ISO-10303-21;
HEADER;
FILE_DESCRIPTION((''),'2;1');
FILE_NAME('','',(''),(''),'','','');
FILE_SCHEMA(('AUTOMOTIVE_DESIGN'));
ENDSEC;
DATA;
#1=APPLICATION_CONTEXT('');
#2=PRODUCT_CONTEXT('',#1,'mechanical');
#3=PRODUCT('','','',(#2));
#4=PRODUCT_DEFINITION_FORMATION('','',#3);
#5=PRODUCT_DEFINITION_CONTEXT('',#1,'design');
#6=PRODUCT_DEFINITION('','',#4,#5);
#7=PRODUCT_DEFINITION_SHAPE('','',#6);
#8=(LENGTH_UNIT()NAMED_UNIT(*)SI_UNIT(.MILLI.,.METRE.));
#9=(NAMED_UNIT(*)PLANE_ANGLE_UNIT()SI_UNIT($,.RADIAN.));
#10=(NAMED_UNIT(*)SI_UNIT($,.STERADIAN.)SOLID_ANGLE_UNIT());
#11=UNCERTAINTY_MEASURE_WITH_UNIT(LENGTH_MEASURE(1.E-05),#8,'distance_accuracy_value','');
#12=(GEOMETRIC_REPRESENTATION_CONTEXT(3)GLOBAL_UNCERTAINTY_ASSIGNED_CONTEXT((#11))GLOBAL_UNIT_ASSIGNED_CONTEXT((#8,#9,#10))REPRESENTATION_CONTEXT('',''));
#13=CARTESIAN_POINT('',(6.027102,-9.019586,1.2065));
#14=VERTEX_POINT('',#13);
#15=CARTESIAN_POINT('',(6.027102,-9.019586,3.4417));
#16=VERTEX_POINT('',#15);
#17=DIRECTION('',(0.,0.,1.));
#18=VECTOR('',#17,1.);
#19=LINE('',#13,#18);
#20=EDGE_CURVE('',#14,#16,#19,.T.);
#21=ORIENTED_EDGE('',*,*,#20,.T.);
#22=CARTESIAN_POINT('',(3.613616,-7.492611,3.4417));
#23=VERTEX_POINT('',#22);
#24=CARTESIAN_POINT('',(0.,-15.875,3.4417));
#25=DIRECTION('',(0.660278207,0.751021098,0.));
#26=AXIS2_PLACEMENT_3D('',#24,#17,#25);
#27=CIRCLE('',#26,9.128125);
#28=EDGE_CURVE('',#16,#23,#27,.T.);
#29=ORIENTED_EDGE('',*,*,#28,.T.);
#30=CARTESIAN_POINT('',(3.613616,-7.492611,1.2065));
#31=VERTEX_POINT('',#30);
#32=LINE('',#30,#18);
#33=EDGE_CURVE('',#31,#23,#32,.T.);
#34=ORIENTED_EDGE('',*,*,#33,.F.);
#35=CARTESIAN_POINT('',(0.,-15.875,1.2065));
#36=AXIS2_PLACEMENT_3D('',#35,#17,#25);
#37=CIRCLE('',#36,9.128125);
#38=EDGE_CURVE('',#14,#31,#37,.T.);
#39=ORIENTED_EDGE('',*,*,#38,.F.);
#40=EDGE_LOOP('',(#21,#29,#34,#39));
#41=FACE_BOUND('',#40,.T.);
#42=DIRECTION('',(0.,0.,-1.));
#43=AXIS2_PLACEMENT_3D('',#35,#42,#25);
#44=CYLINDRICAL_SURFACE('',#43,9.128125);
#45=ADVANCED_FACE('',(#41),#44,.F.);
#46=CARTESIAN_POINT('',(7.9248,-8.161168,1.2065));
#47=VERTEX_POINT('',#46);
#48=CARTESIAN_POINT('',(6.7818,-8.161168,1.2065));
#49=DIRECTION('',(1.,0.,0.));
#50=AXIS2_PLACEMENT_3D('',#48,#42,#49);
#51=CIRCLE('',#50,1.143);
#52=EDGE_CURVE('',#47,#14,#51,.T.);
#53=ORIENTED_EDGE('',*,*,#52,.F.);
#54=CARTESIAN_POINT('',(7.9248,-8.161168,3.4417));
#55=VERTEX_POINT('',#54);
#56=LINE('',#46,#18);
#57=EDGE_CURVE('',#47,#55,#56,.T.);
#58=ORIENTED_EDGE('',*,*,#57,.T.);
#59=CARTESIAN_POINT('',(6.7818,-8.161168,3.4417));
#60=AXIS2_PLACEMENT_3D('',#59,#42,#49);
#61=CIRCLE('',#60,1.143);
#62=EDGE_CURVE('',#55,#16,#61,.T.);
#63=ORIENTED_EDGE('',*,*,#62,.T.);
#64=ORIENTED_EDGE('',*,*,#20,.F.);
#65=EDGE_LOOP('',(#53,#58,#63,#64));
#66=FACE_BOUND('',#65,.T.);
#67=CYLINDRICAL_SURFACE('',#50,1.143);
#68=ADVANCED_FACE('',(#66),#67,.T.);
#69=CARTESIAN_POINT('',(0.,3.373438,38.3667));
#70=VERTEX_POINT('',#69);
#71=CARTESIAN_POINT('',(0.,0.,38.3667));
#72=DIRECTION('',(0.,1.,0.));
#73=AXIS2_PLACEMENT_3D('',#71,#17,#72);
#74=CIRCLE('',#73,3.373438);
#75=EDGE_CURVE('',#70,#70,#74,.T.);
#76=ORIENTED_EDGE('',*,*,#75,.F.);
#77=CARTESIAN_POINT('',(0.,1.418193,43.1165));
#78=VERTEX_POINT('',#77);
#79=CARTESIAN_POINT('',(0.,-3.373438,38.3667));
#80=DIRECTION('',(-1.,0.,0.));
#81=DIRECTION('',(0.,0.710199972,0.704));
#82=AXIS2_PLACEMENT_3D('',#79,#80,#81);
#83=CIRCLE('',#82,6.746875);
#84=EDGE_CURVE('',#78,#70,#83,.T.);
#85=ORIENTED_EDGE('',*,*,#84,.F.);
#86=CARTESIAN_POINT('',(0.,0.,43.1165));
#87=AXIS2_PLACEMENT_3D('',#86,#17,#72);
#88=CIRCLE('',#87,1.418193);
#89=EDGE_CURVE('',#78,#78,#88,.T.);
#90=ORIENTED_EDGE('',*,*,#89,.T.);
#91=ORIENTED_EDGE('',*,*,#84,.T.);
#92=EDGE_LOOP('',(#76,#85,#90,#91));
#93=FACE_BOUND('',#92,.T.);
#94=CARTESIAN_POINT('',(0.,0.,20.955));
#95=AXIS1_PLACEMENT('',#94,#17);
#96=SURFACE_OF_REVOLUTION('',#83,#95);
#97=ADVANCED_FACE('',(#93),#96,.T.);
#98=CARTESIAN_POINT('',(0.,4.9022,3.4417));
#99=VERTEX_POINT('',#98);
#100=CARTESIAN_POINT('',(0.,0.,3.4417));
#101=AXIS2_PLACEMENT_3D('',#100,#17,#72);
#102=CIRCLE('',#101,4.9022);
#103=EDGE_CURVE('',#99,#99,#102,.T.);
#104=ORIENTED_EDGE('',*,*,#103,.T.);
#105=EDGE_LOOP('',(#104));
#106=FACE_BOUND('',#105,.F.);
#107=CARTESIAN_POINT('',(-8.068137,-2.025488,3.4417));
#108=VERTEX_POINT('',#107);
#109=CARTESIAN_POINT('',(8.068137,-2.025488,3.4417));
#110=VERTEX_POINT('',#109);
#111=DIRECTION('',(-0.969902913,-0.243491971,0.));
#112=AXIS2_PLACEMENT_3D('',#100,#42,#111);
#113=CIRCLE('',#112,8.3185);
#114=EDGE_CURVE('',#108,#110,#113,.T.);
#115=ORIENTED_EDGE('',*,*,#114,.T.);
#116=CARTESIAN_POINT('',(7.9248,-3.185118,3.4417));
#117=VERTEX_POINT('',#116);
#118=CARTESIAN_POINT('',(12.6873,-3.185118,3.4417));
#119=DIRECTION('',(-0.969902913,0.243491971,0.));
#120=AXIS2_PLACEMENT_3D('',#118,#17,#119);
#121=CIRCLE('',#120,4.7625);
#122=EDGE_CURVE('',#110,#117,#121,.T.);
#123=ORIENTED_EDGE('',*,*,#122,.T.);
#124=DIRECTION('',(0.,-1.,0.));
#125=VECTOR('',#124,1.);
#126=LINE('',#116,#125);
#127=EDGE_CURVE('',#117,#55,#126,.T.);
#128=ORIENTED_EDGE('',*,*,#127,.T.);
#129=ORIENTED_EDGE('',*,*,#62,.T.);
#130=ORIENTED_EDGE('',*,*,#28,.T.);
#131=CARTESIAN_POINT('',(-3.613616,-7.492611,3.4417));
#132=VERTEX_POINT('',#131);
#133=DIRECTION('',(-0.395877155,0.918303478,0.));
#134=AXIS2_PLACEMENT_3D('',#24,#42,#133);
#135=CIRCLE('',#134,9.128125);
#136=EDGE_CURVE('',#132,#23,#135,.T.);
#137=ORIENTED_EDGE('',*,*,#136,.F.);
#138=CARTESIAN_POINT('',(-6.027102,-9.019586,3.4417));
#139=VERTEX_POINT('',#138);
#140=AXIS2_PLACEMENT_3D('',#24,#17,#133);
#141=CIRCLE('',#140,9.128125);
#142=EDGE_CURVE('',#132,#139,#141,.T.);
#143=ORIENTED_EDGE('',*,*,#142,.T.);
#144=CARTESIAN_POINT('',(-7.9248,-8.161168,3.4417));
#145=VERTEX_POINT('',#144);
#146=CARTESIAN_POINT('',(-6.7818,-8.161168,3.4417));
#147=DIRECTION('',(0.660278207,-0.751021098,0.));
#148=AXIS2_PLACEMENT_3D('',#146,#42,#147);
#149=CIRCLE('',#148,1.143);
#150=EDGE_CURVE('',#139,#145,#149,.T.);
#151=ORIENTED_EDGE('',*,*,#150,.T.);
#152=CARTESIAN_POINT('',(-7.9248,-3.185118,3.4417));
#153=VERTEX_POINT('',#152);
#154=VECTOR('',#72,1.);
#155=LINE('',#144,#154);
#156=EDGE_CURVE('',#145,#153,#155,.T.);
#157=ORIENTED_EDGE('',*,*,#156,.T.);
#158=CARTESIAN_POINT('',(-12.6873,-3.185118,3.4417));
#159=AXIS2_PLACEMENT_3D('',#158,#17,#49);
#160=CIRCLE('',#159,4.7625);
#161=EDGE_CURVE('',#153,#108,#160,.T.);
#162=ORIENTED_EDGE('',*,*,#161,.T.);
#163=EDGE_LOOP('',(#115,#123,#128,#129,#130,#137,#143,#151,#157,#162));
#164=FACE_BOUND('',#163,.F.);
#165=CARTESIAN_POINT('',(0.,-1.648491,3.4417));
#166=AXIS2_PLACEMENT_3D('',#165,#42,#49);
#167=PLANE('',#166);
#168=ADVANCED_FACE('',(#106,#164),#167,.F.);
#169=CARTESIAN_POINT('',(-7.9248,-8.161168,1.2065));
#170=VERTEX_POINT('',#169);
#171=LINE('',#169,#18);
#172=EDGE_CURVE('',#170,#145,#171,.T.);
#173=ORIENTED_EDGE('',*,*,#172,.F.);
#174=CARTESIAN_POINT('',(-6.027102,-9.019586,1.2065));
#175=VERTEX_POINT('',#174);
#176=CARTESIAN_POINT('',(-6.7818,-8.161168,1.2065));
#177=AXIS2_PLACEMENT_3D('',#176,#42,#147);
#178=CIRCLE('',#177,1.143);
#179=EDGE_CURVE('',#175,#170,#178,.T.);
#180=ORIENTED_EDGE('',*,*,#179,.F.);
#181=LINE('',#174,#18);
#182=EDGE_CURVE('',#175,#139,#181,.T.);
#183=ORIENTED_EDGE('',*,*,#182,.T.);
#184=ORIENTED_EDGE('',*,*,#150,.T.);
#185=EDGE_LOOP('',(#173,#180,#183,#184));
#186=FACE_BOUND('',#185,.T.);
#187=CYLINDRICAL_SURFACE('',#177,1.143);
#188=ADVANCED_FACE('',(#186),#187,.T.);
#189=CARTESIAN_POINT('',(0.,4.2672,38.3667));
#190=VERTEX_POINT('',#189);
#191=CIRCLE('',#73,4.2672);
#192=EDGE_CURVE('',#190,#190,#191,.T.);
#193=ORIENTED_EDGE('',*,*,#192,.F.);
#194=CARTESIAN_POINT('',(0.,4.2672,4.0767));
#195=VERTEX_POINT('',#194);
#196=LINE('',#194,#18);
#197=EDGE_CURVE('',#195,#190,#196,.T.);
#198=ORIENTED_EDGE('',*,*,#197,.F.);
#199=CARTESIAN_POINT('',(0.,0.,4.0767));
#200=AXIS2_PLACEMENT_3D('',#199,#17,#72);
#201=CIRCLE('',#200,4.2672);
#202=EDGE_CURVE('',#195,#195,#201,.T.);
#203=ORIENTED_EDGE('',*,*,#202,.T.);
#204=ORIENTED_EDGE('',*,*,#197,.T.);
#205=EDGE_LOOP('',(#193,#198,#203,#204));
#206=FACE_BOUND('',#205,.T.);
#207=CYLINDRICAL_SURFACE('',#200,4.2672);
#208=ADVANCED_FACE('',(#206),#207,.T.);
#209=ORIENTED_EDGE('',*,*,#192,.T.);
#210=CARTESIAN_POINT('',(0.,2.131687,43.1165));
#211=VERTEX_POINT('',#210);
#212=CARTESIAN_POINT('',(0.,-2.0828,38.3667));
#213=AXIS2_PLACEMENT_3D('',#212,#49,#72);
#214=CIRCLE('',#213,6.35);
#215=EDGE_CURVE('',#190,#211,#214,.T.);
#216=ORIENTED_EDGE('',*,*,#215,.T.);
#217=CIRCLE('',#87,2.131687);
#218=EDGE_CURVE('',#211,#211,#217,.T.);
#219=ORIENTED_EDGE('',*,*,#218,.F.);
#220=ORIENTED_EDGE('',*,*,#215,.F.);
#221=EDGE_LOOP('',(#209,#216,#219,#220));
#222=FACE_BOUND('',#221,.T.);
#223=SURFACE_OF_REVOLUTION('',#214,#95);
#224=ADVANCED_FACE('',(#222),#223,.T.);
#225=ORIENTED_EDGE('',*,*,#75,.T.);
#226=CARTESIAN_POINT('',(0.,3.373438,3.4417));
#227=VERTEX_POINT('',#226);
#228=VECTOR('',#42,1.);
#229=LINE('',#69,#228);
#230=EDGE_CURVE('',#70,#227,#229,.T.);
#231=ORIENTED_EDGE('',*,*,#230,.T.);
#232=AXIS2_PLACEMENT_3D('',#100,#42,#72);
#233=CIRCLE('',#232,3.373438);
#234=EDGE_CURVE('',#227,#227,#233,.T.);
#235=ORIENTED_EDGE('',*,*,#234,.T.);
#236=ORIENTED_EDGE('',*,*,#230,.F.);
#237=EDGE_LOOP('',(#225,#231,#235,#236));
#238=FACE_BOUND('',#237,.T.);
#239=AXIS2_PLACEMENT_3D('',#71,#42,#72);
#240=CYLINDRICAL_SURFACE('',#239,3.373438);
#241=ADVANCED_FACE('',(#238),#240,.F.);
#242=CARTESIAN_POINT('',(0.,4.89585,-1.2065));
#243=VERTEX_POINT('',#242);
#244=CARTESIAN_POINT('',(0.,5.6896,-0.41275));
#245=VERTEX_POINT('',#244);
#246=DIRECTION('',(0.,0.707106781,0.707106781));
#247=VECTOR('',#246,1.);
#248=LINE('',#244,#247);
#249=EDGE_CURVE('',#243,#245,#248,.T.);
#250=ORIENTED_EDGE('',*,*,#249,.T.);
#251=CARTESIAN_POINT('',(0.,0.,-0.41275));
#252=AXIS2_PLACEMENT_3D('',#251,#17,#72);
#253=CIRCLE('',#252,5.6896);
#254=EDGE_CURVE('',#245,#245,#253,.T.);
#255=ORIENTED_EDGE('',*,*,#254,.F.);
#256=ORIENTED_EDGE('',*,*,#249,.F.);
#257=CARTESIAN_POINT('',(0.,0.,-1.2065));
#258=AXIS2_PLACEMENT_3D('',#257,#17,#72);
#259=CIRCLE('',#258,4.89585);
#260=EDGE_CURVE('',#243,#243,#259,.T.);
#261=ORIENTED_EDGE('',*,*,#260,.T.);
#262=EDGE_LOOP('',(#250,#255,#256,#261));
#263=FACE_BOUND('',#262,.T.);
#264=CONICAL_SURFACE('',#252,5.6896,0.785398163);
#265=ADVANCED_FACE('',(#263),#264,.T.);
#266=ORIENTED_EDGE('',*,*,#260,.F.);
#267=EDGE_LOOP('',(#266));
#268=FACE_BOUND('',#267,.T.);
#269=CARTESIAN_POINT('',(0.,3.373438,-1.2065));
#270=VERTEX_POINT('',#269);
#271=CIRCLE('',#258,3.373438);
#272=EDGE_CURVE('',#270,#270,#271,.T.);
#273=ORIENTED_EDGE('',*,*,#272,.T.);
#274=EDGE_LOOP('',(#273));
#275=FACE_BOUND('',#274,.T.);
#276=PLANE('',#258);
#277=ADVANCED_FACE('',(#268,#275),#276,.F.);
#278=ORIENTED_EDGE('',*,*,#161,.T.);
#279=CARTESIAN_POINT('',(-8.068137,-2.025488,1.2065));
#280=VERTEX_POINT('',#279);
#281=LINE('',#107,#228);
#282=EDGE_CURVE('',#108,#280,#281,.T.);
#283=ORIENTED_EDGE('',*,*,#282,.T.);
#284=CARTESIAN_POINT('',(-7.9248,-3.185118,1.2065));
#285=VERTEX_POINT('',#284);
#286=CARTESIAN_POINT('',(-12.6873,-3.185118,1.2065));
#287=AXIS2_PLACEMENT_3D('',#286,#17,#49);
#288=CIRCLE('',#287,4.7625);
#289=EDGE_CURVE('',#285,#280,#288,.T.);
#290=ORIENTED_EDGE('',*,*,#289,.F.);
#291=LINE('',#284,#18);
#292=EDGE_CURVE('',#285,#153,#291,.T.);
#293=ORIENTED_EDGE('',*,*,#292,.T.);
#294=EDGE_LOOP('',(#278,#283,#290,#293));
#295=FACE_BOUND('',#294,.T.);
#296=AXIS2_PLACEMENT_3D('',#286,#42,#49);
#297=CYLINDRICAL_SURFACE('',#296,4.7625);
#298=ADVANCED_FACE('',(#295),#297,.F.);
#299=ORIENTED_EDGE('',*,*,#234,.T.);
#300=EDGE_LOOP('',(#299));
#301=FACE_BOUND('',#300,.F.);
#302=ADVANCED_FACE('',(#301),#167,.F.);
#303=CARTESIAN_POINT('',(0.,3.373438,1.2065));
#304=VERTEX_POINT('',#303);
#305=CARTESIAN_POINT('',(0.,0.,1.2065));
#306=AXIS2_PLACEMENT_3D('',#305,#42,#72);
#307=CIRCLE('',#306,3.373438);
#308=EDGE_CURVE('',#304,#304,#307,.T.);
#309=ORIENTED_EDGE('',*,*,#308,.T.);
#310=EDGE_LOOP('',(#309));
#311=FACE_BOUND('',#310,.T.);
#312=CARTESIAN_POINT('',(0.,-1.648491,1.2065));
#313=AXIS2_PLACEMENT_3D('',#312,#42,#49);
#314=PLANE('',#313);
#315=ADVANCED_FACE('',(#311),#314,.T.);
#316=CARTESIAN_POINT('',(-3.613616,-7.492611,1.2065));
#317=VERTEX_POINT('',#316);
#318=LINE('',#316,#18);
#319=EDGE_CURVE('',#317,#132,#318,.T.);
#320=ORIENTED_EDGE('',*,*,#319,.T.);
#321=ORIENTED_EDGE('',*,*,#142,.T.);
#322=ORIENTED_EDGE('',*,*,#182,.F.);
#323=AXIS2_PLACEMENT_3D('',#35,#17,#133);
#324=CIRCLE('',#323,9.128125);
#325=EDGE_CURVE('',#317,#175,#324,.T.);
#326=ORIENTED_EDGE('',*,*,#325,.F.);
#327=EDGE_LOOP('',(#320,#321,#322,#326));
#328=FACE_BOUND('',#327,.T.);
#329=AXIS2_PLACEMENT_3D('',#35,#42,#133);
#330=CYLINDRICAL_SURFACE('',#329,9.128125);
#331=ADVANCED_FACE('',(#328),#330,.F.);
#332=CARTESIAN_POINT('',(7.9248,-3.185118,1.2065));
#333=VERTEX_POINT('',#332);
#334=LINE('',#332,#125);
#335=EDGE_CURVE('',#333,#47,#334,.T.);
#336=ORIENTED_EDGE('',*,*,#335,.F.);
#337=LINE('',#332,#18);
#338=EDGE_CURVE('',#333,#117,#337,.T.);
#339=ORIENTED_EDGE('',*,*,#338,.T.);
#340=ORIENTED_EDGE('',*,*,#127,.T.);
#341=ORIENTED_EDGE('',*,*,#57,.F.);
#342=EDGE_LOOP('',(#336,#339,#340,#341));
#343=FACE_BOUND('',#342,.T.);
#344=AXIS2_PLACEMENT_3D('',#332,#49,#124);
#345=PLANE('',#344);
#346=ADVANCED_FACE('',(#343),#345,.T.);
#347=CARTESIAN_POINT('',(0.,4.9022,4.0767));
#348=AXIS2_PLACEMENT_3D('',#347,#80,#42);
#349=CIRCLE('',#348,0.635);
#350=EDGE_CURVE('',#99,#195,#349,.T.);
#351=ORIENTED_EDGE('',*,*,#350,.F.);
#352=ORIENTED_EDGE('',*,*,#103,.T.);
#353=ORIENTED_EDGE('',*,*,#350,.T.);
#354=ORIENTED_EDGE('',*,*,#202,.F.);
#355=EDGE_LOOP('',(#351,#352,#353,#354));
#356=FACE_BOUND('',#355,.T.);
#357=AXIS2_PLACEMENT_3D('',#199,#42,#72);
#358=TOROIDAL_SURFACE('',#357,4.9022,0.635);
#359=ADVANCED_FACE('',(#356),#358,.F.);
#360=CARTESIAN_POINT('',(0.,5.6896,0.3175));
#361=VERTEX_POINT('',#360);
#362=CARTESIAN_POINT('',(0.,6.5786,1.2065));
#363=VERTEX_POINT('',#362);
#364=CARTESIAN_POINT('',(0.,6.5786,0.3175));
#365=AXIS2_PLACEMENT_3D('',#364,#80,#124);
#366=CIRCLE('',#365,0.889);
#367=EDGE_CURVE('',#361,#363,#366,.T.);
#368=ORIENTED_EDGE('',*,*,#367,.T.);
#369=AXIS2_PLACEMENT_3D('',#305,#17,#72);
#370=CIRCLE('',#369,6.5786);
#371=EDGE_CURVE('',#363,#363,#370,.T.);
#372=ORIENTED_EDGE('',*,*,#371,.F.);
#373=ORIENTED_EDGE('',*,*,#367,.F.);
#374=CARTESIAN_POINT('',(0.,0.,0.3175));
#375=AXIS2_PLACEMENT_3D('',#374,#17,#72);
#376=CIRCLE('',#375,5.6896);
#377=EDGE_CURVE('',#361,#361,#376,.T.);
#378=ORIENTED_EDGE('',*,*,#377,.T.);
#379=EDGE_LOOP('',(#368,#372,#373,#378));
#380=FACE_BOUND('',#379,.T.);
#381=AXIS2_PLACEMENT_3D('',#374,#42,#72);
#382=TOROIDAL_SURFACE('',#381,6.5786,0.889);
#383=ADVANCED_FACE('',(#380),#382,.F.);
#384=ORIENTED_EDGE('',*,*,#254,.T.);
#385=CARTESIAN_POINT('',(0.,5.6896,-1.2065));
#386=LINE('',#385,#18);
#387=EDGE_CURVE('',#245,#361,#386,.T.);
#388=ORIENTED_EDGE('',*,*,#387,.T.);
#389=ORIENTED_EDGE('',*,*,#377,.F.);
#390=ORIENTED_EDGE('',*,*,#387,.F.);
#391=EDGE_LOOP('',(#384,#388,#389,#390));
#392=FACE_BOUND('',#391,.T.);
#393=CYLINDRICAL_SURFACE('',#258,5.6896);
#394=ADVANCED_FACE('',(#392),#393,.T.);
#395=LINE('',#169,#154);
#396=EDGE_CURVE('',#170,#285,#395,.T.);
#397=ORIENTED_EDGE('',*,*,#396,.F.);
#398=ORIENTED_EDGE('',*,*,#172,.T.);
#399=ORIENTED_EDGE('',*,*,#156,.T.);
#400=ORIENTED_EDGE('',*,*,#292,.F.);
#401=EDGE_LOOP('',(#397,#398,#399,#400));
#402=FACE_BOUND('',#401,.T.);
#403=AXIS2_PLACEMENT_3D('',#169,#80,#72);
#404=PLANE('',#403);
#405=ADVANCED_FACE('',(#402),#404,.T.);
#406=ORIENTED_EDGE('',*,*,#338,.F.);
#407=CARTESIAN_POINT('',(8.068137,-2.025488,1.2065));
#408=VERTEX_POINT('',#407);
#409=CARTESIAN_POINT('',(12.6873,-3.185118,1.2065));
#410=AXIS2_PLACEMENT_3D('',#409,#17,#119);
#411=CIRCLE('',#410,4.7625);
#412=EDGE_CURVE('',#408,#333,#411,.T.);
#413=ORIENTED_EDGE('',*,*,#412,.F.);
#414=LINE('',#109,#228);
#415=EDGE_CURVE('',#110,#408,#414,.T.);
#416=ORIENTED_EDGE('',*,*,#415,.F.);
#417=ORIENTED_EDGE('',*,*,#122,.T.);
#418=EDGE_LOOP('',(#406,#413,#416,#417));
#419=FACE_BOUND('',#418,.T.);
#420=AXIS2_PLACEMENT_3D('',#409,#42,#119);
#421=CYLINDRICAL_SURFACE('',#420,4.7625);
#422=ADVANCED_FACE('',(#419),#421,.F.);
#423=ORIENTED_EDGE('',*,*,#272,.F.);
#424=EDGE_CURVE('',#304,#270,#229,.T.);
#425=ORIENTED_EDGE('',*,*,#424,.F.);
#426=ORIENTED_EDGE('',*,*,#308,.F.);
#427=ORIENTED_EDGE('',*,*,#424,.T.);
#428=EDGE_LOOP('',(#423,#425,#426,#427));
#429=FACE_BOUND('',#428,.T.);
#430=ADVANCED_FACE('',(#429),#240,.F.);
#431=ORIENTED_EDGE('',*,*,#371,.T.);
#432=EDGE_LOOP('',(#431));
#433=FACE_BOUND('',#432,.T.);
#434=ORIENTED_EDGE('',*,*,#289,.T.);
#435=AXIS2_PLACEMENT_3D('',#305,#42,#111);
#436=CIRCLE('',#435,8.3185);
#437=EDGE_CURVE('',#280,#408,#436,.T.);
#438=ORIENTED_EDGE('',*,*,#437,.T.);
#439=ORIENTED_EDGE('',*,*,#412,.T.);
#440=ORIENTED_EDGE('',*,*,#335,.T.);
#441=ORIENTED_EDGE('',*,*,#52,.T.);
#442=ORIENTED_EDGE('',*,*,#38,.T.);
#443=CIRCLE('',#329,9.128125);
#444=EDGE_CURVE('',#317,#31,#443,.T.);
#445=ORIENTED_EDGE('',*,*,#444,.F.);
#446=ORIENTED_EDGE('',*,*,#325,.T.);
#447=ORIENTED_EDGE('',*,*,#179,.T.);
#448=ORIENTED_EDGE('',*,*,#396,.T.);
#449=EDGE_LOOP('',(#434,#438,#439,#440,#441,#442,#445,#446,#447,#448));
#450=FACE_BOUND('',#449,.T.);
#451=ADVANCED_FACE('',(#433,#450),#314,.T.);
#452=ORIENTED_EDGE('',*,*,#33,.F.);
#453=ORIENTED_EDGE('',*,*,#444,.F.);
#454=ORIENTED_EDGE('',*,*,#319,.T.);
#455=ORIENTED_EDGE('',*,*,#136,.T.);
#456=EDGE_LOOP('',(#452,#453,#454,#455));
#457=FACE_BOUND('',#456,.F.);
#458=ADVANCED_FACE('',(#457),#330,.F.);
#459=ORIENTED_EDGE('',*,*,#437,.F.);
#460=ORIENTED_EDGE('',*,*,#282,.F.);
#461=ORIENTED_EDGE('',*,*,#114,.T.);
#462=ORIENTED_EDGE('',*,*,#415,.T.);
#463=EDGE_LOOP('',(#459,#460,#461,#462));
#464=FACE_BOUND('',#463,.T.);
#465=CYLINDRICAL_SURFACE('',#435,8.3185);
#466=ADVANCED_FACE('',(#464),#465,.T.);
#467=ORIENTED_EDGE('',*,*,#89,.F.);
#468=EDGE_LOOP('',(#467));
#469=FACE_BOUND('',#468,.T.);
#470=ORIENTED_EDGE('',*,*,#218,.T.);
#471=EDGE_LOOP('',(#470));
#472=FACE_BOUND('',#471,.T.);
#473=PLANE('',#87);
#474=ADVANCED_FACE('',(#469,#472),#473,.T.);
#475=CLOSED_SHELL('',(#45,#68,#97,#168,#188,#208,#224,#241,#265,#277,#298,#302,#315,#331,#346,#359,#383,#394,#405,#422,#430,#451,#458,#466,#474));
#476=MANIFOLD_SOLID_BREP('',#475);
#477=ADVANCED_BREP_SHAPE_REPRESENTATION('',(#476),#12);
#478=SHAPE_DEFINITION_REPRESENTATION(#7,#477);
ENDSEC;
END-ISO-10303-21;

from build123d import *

# Parameters (mm, degrees)
F2_SIZE2 = 0.79375
F2_SIZE  = 0.79375
F5_DEPTH = 2.2352
F6_DEPTH = 25.4


with BuildPart() as f1:
    # F0 (on Right) → F1 (revolve)
    with BuildSketch(Plane.YZ):
        with BuildLine():
            Line((3.3734375, 38.3667), (3.3734375, -1.2065))
            Line((3.3734375, -1.2065), (5.6896, -1.2065))
            Line((5.6896, -1.2065), (5.6896, 0.3175))
            ThreePointArc((5.6896, 0.3175), (5.9499820715, 0.9461179285), (6.5786, 1.2065))
            Line((6.5786, 1.2065), (7.651716578, 1.2065))
            ThreePointArc((7.651716578, 1.2065), (8.3185, 2.3241), (7.651716578, 3.4417))
            Line((7.651716578, 3.4417), (4.9022, 3.4417))
            ThreePointArc((4.9022, 3.4417), (4.4531871939, 3.6276871939), (4.2672, 4.0767))
            Line((4.2672, 4.0767), (4.2672, 38.3667))
            ThreePointArc((4.2672, 38.3667), (3.7087667963, 40.9705920952), (2.1316869154, 43.1165))
            Line((2.1316869154, 43.1165), (1.418192935, 43.1165))
            ThreePointArc((1.418192935, 43.1165), (2.8655068761, 40.9349475226), (3.3734375, 38.3667))
        make_face()
    revolve(axis=Axis((0, 0, 20.955), (0, 0, 1)))

    # F2
    f2_edges = [f1.edges().sort_by_distance(p)[0] for p in [
        (0, -5.6896, -1.2065),
    ]]
    chamfer(f2_edges, length=F2_SIZE, length2=F2_SIZE2)

    # F3 (on face) → F5 (join)
    with BuildSketch(Plane(origin=(0, 0, 1.2065), x_dir=(1, 0, 0), z_dir=(0, 0, -1))):
        with BuildLine():
            ThreePointArc((-7.9248, 3.1851184766), (-7.9607701824, 2.6008906675), (-8.0681373786, 2.0254879633))
            ThreePointArc((-8.0681373786, 2.0254879633), (0, -8.3185), (8.0681373786, 2.0254879633))
            ThreePointArc((8.0681373786, 2.0254879633), (7.9607701824, 2.6008906675), (7.9248, 3.1851184766))
            Line((7.9248, 3.1851184766), (7.9248, 8.1611684277))
            ThreePointArc((7.9248, 8.1611684277), (7.2528781234, 9.2025782422), (6.0271020093, 9.0195855424))
            ThreePointArc((6.0271020093, 9.0195855424), (4.8804481809, 8.1611234409), (3.6136161551, 7.4926110625))
            ThreePointArc((3.6136161551, 7.4926110625), (0, 6.746875), (-3.6136161551, 7.4926110625))
            ThreePointArc((-3.6136161551, 7.4926110625), (-4.8804481809, 8.1611234409), (-6.0271020093, 9.0195855424))
            ThreePointArc((-6.0271020093, 9.0195855424), (-7.2528781234, 9.2025782422), (-7.9248, 8.1611684277))
            Line((-7.9248, 8.1611684277), (-7.9248, 3.1851184766))
        make_face()
        with BuildLine():
            ThreePointArc((3.6136161551, 7.4926110625), (0, 8.3185), (-3.6136161551, 7.4926110625))
            ThreePointArc((-3.6136161551, 7.4926110625), (0, 6.746875), (3.6136161551, 7.4926110625))
        make_face()
    extrude(amount=-F5_DEPTH)

    # F4 (on face) → F6 (cut)
    with BuildSketch(Plane(origin=(0, 0, 1.2065), x_dir=(1, 0, 0), z_dir=(0, 0, -1))):
        with BuildLine():
            ThreePointArc((3.6136161551, 7.4926110625), (0, 8.3185), (-3.6136161551, 7.4926110625))
            ThreePointArc((-3.6136161551, 7.4926110625), (0, 6.746875), (3.6136161551, 7.4926110625))
        make_face()
    extrude(amount=-F6_DEPTH, mode=Mode.SUBTRACT)


solid = f1.part
